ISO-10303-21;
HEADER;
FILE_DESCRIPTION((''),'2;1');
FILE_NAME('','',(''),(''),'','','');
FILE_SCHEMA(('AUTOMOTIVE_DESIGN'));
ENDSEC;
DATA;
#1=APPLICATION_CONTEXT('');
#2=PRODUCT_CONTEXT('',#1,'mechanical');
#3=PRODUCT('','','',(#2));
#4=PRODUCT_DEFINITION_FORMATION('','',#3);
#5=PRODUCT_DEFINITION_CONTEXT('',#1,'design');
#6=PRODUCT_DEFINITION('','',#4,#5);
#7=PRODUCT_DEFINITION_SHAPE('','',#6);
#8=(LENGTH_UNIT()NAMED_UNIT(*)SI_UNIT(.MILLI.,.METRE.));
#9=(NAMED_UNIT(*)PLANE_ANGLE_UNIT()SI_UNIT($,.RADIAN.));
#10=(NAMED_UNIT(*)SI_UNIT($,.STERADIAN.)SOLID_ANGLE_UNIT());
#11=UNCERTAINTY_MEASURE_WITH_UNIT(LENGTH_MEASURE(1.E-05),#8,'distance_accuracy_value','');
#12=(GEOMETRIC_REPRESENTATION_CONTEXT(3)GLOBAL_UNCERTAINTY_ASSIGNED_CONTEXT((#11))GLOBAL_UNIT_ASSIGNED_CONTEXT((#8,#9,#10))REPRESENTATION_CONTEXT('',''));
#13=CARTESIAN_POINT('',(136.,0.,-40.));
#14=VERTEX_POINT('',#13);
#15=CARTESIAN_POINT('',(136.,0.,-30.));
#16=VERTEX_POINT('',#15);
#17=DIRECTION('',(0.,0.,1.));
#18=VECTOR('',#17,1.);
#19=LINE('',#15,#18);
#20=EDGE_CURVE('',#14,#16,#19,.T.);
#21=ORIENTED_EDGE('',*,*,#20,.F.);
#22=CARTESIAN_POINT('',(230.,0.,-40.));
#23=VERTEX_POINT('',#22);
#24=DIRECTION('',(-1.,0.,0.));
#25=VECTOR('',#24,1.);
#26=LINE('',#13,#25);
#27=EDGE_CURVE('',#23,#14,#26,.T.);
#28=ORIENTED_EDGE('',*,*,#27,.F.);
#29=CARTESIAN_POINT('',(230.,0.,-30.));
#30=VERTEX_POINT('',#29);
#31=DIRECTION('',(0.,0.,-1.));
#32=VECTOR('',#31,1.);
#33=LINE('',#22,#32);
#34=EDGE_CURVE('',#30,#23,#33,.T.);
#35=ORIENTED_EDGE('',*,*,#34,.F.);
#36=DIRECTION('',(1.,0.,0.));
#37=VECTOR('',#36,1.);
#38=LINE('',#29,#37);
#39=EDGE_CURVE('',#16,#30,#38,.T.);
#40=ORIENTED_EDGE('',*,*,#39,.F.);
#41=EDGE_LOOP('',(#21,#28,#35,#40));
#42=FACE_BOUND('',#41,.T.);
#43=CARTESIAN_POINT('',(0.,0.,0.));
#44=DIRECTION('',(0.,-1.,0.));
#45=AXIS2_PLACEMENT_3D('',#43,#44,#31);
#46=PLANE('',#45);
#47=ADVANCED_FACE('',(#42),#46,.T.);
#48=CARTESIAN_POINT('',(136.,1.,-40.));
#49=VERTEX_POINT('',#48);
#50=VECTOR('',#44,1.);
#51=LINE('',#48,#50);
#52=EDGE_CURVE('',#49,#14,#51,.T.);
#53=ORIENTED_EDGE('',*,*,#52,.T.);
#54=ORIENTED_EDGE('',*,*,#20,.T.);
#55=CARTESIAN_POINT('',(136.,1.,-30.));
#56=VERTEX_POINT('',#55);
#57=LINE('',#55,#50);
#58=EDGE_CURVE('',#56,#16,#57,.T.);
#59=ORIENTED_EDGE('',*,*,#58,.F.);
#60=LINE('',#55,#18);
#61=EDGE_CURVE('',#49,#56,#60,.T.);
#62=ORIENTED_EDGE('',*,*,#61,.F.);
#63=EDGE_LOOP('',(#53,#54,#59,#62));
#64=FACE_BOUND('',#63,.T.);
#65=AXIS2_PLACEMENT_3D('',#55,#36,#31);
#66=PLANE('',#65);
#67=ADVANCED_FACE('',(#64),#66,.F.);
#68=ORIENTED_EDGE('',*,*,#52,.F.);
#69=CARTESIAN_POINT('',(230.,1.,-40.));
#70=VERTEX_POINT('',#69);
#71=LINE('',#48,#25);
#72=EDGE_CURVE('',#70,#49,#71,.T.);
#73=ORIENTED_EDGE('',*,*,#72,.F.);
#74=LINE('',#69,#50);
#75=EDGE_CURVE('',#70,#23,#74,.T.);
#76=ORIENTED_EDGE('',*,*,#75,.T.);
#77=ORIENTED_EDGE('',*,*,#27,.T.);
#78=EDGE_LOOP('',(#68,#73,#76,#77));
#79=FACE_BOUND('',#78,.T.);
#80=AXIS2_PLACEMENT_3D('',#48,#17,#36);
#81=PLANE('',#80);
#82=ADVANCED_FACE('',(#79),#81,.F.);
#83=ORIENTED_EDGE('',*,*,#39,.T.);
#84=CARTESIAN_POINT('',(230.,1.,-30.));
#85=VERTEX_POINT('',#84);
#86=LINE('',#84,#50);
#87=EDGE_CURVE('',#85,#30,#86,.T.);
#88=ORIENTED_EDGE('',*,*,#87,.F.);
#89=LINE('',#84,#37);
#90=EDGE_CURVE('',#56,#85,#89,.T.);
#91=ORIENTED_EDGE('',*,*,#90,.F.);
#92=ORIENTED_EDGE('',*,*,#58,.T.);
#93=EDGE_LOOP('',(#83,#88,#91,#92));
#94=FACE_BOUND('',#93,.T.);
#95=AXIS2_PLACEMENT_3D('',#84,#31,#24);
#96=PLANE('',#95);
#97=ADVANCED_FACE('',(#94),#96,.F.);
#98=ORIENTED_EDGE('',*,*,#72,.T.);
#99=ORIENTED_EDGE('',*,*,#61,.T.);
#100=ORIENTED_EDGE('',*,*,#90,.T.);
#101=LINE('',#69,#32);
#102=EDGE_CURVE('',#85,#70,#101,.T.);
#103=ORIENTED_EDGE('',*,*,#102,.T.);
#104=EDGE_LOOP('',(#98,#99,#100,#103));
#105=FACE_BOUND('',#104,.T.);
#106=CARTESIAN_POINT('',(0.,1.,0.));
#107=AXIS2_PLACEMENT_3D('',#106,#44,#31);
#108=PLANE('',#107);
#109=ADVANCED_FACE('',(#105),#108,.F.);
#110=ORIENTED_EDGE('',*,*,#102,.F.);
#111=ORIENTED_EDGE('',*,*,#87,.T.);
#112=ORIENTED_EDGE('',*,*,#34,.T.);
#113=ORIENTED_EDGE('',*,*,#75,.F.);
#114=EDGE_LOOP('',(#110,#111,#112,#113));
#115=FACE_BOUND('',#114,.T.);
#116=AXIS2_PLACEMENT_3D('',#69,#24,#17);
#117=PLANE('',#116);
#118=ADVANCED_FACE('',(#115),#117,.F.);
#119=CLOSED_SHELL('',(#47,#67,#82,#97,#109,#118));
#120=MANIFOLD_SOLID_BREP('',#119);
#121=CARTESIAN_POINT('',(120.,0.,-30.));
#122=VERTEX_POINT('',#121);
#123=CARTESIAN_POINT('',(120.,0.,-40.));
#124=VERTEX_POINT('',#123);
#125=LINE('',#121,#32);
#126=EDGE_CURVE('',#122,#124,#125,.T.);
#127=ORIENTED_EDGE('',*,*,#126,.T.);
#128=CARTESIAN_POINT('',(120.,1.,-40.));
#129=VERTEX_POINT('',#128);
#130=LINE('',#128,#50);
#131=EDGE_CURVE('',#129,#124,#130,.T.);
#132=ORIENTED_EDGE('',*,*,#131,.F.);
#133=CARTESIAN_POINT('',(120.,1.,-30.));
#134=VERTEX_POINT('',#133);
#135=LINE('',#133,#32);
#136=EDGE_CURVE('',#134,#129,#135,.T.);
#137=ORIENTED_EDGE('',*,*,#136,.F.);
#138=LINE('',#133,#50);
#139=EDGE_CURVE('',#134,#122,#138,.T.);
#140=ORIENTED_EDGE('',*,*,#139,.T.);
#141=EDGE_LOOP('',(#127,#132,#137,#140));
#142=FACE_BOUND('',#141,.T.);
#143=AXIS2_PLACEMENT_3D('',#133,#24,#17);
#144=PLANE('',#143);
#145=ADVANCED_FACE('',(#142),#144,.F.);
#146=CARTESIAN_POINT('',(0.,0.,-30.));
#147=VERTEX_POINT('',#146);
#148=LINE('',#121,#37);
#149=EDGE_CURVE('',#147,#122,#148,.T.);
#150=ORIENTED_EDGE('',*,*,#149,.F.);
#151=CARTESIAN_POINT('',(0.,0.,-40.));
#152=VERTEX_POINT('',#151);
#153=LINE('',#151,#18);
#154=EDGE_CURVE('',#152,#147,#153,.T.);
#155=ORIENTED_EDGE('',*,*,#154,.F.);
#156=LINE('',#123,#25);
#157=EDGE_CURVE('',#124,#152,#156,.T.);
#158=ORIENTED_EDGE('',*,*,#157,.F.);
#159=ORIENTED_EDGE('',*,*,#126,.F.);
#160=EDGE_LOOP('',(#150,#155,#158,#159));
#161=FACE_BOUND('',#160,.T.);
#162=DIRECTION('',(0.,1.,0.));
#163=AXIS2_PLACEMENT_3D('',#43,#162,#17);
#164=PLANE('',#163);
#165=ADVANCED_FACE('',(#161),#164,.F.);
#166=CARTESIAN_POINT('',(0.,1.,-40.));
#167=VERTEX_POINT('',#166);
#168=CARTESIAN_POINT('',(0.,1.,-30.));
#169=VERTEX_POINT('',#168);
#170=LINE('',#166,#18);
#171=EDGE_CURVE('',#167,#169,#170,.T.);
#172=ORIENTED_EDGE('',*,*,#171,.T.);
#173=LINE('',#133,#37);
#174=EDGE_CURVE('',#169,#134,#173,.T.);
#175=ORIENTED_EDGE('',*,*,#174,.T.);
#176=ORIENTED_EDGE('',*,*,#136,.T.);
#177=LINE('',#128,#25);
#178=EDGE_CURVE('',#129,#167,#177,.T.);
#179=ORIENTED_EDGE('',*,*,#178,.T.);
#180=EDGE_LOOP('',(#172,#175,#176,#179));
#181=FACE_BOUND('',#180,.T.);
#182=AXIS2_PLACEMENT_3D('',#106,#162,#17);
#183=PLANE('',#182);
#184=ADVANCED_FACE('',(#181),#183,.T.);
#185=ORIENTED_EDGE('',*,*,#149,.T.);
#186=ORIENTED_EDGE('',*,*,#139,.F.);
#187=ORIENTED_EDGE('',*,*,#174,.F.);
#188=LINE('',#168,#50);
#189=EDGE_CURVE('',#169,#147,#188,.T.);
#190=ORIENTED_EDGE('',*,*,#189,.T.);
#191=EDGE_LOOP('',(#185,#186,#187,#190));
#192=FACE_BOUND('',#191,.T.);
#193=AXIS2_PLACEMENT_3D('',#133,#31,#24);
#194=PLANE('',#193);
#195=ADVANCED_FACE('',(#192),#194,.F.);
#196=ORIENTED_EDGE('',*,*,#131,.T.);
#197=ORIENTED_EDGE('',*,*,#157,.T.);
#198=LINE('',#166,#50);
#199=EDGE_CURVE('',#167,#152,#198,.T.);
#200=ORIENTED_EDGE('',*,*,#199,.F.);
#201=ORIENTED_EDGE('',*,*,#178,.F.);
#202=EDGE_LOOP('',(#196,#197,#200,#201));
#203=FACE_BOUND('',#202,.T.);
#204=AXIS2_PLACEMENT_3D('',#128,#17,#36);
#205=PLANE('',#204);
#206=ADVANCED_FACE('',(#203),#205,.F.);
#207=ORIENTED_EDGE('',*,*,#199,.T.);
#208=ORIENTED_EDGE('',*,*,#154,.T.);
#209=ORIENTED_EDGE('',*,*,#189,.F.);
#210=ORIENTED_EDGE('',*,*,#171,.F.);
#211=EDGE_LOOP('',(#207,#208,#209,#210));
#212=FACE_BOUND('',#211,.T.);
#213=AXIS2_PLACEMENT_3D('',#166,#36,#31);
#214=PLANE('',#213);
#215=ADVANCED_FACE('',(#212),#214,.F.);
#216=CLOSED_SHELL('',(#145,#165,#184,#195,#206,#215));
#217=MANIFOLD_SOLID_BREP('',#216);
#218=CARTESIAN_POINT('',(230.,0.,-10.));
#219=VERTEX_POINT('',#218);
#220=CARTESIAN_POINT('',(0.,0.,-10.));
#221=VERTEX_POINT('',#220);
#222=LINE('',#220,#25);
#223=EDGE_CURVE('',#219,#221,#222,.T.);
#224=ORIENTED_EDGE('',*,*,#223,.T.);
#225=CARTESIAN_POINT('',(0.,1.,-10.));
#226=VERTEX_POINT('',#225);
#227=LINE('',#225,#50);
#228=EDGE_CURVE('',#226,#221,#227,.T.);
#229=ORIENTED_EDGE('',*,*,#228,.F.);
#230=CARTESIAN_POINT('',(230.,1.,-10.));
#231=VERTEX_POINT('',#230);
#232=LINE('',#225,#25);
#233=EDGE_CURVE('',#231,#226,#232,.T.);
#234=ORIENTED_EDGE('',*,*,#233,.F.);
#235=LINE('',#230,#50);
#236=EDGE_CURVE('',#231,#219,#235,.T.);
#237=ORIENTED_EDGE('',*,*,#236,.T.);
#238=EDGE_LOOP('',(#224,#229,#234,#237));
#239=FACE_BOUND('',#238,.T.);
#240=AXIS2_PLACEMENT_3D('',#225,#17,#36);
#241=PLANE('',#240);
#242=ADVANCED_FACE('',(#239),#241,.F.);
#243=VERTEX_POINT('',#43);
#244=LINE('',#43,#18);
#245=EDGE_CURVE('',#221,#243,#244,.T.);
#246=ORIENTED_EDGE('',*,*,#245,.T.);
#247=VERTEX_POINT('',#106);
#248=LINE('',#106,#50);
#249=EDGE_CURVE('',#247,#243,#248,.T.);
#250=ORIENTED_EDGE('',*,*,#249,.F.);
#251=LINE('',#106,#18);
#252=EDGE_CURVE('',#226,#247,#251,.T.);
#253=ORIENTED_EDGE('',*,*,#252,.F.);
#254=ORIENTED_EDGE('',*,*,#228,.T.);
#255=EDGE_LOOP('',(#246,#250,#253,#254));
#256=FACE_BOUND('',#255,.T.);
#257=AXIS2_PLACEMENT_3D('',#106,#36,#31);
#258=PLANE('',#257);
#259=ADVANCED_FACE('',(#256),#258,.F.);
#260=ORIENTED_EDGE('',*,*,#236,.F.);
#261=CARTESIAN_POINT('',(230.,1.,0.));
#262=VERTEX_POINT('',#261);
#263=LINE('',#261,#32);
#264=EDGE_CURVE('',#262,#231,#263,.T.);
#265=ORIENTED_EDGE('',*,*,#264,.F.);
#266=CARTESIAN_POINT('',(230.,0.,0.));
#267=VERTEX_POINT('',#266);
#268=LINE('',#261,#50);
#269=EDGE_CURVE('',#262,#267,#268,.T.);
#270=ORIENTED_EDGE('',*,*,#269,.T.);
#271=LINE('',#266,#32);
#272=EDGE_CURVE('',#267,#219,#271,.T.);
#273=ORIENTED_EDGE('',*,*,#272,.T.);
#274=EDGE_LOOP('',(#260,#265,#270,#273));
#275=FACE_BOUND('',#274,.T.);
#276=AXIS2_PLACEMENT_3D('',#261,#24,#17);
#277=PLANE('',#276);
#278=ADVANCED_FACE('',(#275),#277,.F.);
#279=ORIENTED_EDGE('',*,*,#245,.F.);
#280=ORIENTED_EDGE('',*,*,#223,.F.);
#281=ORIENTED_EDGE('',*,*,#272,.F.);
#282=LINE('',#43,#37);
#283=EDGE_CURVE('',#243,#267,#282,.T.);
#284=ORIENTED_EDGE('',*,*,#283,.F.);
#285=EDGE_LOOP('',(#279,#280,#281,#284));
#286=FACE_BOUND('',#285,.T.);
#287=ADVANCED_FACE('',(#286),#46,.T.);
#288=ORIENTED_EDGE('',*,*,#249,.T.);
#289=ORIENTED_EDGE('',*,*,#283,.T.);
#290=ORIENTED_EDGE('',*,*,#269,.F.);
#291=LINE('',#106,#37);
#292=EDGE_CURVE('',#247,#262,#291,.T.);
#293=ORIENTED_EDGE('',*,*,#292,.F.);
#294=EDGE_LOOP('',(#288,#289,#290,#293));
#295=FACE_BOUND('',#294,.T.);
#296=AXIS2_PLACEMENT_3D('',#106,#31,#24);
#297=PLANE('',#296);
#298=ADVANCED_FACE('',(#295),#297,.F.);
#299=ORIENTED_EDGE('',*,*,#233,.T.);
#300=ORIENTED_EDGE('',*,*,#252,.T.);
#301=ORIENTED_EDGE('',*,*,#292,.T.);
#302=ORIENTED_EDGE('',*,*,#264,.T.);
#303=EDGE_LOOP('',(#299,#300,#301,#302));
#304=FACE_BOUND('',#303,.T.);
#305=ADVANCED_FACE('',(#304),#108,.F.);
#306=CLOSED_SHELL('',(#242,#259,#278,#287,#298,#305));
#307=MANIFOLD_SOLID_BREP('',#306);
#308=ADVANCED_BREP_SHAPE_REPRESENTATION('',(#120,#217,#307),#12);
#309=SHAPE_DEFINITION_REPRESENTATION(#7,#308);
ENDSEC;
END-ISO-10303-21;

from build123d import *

# Parameters (mm, degrees)
SKETCH1_W             = 230
SKETCH1_H             = 10
BOSS_EXTRUDE1_DEPTH   = 1
SKETCH1_W_2           = 94
BOSS_EXTRUDE1_2_DEPTH = 1
SKETCH1_W_3           = 120
BOSS_EXTRUDE1_3_DEPTH = 1


with BuildPart() as part:
    # Sketch1 → Boss-Extrude1 (new body)
    with BuildSketch(Plane(origin=(0, 0, 0), x_dir=(1, 0, 0), z_dir=(0, 1, 0))):
        with Locations((115, 5)):
            Rectangle(SKETCH1_W, SKETCH1_H)
    extrude(amount=BOSS_EXTRUDE1_DEPTH)


with BuildPart() as body_2:
    # Sketch1 → Boss-Extrude1 2 (new body)
    with BuildSketch(Plane(origin=(0, 0, 0), x_dir=(1, 0, 0), z_dir=(0, 1, 0))):
        with Locations((183, 35)):
            Rectangle(SKETCH1_W_2, SKETCH1_H)
    extrude(amount=BOSS_EXTRUDE1_2_DEPTH)


with BuildPart() as body_3:
    # Sketch1 → Boss-Extrude1 3 (new body)
    with BuildSketch(Plane(origin=(0, 0, 0), x_dir=(1, 0, 0), z_dir=(0, 1, 0))):
        with Locations((60, 35)):
            Rectangle(SKETCH1_W_3, SKETCH1_H)
    extrude(amount=BOSS_EXTRUDE1_3_DEPTH)


solid = Compound([part.part, body_2.part, body_3.part])
